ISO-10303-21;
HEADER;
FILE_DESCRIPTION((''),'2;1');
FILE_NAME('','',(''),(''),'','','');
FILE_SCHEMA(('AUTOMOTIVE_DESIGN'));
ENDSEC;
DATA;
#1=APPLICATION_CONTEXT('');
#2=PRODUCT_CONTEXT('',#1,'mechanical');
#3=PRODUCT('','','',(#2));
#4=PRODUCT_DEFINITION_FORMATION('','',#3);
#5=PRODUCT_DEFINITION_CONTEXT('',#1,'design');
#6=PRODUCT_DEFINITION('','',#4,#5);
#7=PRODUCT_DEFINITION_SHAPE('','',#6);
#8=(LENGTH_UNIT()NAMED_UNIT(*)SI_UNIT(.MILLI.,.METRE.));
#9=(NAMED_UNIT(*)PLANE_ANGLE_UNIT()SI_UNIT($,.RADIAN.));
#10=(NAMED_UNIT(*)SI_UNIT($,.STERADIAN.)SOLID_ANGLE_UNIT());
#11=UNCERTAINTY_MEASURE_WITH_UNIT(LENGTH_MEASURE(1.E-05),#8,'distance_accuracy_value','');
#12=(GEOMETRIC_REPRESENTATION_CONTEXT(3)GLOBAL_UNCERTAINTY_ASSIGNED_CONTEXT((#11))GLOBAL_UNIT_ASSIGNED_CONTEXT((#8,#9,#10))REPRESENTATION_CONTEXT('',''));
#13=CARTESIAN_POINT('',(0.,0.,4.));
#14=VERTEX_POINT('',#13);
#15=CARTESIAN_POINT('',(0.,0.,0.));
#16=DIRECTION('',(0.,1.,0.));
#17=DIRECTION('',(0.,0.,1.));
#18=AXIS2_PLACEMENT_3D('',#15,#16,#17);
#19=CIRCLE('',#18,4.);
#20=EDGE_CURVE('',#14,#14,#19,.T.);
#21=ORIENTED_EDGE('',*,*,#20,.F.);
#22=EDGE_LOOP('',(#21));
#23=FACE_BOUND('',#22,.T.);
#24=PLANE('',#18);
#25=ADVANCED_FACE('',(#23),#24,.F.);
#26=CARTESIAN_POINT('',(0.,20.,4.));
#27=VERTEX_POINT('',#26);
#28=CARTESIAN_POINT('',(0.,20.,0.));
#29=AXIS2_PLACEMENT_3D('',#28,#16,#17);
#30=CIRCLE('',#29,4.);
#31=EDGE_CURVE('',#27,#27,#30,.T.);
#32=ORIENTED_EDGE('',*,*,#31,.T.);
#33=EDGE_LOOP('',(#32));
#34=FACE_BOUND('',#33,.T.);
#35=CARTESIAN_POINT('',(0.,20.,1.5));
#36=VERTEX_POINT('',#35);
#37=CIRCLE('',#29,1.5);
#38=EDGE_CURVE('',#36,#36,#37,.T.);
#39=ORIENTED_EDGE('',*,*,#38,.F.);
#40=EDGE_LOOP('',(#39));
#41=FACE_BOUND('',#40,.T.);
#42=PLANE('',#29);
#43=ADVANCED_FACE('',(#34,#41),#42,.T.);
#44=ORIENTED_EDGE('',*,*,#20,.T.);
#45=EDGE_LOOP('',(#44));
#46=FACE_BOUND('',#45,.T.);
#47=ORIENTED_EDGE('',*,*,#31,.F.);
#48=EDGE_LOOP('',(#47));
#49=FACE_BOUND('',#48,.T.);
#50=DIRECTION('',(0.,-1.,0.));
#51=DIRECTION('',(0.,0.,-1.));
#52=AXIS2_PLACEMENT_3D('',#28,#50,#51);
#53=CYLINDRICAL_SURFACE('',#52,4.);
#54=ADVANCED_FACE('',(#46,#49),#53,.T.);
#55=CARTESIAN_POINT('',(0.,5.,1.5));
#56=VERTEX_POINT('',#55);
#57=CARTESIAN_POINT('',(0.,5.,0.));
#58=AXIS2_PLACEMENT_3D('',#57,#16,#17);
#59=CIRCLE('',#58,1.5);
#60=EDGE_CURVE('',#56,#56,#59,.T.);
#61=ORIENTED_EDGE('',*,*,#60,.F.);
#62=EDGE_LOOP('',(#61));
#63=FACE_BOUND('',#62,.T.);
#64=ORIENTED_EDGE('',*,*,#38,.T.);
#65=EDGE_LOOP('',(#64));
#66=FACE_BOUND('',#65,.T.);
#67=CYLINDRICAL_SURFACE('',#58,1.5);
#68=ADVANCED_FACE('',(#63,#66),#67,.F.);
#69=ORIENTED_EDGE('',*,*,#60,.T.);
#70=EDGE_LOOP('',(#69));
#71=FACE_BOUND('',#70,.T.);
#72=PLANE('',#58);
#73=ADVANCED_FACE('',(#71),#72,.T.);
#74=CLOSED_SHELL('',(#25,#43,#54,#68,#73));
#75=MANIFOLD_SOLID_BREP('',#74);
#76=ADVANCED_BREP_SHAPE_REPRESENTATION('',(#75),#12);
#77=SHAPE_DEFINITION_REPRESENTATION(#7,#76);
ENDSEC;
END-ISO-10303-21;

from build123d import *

# Parameters (mm, degrees)
SKETCH1_R           = 4
BOSS_EXTRUDE1_DEPTH = 20
SKETCH2_R           = 1.5
CUT_EXTRUDE1_DEPTH  = 15


with BuildPart() as part:
    # Sketch1 → Boss-Extrude1 (new body)
    with BuildSketch(Plane(origin=(0, 0, 0), x_dir=(1, 0, 0), z_dir=(0, 1, 0))):
        with Locations(Location((0, 0, 0), (0, 0, 270))):
            Circle(SKETCH1_R)
    extrude(amount=BOSS_EXTRUDE1_DEPTH)

    # Sketch2 → Cut-Extrude1 (cut)
    with BuildSketch(Plane(origin=(0, 20, 0), x_dir=(1, 0, 0), z_dir=(0, 1, 0))):
        with Locations(Location((0, 0, 0), (0, 0, 270))):
            Circle(SKETCH2_R)
    extrude(amount=-CUT_EXTRUDE1_DEPTH, mode=Mode.SUBTRACT)


solid = part.part
